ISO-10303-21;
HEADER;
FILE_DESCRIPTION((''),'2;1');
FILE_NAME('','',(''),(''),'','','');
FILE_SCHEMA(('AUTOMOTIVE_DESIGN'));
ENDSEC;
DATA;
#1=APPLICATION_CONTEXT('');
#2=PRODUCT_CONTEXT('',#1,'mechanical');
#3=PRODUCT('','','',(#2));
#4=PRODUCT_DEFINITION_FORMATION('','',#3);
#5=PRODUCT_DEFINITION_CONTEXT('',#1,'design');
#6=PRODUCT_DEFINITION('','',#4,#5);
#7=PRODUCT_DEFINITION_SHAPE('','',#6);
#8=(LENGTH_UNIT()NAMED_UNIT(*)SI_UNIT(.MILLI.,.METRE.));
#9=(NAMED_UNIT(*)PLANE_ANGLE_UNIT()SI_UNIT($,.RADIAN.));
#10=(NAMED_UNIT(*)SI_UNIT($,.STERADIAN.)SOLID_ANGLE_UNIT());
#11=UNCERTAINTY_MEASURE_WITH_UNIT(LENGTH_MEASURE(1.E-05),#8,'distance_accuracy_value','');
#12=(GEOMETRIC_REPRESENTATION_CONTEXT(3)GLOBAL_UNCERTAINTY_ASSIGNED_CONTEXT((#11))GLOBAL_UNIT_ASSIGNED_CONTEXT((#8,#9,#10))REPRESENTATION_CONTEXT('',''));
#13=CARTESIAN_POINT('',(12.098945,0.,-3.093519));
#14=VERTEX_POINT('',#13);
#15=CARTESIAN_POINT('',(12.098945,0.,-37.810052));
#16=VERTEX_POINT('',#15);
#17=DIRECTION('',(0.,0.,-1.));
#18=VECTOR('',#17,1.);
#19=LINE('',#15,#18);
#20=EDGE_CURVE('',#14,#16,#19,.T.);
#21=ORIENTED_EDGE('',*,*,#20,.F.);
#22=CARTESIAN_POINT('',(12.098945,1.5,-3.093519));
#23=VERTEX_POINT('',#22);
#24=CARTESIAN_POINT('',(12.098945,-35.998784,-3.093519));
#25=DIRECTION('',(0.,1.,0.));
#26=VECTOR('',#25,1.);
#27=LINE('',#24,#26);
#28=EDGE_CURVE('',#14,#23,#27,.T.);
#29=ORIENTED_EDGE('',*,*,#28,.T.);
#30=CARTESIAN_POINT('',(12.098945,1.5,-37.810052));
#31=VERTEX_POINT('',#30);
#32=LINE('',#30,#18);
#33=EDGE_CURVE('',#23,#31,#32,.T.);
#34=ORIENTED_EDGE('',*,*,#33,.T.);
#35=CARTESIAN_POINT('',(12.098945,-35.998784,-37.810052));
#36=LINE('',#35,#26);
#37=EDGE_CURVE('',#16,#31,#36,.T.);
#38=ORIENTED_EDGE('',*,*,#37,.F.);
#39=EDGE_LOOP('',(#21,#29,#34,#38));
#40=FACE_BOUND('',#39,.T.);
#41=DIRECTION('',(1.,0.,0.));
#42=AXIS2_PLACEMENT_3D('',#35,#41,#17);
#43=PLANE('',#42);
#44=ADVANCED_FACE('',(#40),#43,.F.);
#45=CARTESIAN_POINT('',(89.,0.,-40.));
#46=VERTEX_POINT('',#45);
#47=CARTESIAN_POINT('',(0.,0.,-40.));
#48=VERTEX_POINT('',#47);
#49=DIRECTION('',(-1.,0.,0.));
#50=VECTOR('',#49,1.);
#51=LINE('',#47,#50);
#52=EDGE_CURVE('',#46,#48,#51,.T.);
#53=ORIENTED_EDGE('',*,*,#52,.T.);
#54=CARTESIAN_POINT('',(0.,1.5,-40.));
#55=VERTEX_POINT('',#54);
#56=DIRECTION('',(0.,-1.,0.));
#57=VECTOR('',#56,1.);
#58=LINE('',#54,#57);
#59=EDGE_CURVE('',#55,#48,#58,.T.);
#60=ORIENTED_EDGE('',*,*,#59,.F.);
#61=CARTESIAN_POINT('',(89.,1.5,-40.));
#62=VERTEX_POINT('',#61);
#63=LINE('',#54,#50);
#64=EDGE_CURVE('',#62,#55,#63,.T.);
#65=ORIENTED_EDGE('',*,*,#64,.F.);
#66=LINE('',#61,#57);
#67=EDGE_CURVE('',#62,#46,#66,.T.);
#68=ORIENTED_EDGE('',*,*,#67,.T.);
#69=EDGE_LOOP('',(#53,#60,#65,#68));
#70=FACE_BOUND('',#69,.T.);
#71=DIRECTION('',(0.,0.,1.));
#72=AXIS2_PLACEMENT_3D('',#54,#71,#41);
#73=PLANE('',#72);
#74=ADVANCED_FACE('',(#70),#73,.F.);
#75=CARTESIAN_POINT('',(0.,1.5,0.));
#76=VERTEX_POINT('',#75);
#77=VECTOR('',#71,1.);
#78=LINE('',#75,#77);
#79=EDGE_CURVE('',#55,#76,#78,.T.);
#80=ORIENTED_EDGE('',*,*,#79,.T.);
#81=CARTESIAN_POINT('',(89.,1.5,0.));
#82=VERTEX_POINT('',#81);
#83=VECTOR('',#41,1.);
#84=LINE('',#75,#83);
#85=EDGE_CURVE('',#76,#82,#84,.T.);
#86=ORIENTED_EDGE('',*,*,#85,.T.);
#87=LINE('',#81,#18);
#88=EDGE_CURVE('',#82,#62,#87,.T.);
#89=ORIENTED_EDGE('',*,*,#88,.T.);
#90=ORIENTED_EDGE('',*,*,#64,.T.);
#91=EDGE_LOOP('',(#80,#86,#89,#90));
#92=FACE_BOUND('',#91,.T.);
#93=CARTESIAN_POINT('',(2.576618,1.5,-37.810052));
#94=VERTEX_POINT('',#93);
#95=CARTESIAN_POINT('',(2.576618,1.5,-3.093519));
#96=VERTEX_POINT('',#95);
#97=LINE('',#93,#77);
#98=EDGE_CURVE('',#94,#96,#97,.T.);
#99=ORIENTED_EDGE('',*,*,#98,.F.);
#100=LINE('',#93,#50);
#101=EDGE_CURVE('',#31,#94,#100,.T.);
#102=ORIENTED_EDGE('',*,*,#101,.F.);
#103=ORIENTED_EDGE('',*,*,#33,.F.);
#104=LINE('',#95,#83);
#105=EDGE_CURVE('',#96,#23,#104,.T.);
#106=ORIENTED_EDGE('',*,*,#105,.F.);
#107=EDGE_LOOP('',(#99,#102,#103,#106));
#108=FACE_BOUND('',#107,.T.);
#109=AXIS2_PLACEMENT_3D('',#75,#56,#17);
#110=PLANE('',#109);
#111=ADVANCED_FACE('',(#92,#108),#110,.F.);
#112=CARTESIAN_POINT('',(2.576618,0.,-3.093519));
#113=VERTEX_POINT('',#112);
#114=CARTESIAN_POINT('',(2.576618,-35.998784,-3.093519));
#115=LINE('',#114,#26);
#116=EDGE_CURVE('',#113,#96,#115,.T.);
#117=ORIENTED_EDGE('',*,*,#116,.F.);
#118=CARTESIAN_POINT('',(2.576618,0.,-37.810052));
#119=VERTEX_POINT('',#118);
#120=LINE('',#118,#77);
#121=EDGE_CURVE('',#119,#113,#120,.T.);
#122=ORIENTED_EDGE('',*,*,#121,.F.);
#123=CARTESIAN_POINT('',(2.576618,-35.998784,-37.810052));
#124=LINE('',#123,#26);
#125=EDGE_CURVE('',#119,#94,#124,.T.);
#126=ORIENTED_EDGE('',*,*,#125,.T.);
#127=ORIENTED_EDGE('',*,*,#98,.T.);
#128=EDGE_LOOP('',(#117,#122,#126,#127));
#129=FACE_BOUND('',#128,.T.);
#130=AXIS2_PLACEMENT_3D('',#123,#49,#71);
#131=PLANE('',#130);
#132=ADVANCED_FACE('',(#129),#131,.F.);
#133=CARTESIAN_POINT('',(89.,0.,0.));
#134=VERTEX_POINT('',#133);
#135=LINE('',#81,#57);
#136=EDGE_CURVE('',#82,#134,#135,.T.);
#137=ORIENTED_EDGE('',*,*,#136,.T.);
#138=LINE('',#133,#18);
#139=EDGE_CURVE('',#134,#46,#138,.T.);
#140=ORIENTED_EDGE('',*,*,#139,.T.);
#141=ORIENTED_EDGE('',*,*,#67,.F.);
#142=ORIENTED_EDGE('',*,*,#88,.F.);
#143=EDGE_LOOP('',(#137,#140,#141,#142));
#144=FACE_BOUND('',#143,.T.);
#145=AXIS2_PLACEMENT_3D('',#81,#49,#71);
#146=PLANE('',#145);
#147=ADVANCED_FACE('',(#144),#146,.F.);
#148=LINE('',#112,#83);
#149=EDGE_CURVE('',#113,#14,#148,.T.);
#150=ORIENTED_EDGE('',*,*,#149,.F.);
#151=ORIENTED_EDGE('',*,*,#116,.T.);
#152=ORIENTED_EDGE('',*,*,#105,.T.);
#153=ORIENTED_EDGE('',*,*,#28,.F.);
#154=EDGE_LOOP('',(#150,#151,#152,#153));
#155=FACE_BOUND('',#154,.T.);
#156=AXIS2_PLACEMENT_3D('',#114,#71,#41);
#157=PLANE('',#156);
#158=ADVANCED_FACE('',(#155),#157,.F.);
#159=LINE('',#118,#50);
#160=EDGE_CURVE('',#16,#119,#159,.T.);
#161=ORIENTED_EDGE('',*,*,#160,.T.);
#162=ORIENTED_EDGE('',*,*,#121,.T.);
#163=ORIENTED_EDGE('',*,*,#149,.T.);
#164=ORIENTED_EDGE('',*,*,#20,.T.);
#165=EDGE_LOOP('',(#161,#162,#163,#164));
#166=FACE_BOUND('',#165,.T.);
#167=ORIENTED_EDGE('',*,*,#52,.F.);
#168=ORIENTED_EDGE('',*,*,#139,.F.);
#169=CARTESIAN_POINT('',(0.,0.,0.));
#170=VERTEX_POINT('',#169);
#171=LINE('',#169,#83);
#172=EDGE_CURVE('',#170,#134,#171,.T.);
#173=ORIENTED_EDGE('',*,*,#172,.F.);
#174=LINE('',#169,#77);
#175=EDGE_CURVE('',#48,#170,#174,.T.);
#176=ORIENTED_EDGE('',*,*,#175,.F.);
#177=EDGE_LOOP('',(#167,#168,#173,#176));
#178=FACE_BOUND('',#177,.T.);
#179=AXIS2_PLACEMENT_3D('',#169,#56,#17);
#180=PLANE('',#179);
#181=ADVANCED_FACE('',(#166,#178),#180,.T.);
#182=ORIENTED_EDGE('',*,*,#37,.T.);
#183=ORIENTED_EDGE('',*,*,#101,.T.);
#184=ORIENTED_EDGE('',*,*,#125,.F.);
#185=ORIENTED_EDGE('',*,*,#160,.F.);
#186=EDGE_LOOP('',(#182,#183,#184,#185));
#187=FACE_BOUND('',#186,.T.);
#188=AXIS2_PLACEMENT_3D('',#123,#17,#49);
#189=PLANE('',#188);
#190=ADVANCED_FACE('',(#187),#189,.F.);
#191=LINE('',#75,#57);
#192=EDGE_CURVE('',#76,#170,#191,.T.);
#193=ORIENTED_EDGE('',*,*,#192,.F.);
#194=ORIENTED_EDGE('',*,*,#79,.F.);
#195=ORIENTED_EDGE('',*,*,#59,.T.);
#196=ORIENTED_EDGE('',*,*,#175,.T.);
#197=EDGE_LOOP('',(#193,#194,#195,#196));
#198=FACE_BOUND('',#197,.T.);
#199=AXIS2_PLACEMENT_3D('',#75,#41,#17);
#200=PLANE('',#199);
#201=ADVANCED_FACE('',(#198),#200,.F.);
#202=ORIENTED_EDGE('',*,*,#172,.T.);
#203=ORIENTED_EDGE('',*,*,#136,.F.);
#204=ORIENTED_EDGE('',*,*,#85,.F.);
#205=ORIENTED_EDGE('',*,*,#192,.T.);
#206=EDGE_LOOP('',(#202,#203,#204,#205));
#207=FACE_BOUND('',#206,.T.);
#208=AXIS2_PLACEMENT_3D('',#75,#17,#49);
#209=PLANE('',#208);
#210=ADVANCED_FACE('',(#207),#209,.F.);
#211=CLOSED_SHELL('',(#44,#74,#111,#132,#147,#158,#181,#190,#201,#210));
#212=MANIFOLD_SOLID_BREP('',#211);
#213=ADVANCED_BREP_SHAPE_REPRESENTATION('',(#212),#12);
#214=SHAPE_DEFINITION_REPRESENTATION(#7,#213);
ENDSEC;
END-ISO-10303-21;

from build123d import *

# Parameters (mm, degrees)
SKETCH1_W           = 89
SKETCH1_H           = 40
BOSS_EXTRUDE1_DEPTH = 1.5
SKETCH2_W           = 9.522327529
SKETCH2_H           = 34.716533419
CUT_EXTRUDE1_DEPTH  = 1.5


with BuildPart() as part:
    # Sketch1 → Boss-Extrude1 (new body)
    with BuildSketch(Plane(origin=(0, 0, 0), x_dir=(1, 0, 0), z_dir=(0, 1, 0))):
        with Locations((44.5, 20)):
            Rectangle(SKETCH1_W, SKETCH1_H)
    extrude(amount=BOSS_EXTRUDE1_DEPTH)

    # Sketch2 → Cut-Extrude1 (cut)
    with BuildSketch(Plane(origin=(0, 1.5, 0), x_dir=(1, 0, 0), z_dir=(0, 1, 0))):
        with Locations((7.337781427, 20.451785599)):
            Rectangle(SKETCH2_W, SKETCH2_H)
    extrude(amount=-CUT_EXTRUDE1_DEPTH, mode=Mode.SUBTRACT)


solid = part.part
